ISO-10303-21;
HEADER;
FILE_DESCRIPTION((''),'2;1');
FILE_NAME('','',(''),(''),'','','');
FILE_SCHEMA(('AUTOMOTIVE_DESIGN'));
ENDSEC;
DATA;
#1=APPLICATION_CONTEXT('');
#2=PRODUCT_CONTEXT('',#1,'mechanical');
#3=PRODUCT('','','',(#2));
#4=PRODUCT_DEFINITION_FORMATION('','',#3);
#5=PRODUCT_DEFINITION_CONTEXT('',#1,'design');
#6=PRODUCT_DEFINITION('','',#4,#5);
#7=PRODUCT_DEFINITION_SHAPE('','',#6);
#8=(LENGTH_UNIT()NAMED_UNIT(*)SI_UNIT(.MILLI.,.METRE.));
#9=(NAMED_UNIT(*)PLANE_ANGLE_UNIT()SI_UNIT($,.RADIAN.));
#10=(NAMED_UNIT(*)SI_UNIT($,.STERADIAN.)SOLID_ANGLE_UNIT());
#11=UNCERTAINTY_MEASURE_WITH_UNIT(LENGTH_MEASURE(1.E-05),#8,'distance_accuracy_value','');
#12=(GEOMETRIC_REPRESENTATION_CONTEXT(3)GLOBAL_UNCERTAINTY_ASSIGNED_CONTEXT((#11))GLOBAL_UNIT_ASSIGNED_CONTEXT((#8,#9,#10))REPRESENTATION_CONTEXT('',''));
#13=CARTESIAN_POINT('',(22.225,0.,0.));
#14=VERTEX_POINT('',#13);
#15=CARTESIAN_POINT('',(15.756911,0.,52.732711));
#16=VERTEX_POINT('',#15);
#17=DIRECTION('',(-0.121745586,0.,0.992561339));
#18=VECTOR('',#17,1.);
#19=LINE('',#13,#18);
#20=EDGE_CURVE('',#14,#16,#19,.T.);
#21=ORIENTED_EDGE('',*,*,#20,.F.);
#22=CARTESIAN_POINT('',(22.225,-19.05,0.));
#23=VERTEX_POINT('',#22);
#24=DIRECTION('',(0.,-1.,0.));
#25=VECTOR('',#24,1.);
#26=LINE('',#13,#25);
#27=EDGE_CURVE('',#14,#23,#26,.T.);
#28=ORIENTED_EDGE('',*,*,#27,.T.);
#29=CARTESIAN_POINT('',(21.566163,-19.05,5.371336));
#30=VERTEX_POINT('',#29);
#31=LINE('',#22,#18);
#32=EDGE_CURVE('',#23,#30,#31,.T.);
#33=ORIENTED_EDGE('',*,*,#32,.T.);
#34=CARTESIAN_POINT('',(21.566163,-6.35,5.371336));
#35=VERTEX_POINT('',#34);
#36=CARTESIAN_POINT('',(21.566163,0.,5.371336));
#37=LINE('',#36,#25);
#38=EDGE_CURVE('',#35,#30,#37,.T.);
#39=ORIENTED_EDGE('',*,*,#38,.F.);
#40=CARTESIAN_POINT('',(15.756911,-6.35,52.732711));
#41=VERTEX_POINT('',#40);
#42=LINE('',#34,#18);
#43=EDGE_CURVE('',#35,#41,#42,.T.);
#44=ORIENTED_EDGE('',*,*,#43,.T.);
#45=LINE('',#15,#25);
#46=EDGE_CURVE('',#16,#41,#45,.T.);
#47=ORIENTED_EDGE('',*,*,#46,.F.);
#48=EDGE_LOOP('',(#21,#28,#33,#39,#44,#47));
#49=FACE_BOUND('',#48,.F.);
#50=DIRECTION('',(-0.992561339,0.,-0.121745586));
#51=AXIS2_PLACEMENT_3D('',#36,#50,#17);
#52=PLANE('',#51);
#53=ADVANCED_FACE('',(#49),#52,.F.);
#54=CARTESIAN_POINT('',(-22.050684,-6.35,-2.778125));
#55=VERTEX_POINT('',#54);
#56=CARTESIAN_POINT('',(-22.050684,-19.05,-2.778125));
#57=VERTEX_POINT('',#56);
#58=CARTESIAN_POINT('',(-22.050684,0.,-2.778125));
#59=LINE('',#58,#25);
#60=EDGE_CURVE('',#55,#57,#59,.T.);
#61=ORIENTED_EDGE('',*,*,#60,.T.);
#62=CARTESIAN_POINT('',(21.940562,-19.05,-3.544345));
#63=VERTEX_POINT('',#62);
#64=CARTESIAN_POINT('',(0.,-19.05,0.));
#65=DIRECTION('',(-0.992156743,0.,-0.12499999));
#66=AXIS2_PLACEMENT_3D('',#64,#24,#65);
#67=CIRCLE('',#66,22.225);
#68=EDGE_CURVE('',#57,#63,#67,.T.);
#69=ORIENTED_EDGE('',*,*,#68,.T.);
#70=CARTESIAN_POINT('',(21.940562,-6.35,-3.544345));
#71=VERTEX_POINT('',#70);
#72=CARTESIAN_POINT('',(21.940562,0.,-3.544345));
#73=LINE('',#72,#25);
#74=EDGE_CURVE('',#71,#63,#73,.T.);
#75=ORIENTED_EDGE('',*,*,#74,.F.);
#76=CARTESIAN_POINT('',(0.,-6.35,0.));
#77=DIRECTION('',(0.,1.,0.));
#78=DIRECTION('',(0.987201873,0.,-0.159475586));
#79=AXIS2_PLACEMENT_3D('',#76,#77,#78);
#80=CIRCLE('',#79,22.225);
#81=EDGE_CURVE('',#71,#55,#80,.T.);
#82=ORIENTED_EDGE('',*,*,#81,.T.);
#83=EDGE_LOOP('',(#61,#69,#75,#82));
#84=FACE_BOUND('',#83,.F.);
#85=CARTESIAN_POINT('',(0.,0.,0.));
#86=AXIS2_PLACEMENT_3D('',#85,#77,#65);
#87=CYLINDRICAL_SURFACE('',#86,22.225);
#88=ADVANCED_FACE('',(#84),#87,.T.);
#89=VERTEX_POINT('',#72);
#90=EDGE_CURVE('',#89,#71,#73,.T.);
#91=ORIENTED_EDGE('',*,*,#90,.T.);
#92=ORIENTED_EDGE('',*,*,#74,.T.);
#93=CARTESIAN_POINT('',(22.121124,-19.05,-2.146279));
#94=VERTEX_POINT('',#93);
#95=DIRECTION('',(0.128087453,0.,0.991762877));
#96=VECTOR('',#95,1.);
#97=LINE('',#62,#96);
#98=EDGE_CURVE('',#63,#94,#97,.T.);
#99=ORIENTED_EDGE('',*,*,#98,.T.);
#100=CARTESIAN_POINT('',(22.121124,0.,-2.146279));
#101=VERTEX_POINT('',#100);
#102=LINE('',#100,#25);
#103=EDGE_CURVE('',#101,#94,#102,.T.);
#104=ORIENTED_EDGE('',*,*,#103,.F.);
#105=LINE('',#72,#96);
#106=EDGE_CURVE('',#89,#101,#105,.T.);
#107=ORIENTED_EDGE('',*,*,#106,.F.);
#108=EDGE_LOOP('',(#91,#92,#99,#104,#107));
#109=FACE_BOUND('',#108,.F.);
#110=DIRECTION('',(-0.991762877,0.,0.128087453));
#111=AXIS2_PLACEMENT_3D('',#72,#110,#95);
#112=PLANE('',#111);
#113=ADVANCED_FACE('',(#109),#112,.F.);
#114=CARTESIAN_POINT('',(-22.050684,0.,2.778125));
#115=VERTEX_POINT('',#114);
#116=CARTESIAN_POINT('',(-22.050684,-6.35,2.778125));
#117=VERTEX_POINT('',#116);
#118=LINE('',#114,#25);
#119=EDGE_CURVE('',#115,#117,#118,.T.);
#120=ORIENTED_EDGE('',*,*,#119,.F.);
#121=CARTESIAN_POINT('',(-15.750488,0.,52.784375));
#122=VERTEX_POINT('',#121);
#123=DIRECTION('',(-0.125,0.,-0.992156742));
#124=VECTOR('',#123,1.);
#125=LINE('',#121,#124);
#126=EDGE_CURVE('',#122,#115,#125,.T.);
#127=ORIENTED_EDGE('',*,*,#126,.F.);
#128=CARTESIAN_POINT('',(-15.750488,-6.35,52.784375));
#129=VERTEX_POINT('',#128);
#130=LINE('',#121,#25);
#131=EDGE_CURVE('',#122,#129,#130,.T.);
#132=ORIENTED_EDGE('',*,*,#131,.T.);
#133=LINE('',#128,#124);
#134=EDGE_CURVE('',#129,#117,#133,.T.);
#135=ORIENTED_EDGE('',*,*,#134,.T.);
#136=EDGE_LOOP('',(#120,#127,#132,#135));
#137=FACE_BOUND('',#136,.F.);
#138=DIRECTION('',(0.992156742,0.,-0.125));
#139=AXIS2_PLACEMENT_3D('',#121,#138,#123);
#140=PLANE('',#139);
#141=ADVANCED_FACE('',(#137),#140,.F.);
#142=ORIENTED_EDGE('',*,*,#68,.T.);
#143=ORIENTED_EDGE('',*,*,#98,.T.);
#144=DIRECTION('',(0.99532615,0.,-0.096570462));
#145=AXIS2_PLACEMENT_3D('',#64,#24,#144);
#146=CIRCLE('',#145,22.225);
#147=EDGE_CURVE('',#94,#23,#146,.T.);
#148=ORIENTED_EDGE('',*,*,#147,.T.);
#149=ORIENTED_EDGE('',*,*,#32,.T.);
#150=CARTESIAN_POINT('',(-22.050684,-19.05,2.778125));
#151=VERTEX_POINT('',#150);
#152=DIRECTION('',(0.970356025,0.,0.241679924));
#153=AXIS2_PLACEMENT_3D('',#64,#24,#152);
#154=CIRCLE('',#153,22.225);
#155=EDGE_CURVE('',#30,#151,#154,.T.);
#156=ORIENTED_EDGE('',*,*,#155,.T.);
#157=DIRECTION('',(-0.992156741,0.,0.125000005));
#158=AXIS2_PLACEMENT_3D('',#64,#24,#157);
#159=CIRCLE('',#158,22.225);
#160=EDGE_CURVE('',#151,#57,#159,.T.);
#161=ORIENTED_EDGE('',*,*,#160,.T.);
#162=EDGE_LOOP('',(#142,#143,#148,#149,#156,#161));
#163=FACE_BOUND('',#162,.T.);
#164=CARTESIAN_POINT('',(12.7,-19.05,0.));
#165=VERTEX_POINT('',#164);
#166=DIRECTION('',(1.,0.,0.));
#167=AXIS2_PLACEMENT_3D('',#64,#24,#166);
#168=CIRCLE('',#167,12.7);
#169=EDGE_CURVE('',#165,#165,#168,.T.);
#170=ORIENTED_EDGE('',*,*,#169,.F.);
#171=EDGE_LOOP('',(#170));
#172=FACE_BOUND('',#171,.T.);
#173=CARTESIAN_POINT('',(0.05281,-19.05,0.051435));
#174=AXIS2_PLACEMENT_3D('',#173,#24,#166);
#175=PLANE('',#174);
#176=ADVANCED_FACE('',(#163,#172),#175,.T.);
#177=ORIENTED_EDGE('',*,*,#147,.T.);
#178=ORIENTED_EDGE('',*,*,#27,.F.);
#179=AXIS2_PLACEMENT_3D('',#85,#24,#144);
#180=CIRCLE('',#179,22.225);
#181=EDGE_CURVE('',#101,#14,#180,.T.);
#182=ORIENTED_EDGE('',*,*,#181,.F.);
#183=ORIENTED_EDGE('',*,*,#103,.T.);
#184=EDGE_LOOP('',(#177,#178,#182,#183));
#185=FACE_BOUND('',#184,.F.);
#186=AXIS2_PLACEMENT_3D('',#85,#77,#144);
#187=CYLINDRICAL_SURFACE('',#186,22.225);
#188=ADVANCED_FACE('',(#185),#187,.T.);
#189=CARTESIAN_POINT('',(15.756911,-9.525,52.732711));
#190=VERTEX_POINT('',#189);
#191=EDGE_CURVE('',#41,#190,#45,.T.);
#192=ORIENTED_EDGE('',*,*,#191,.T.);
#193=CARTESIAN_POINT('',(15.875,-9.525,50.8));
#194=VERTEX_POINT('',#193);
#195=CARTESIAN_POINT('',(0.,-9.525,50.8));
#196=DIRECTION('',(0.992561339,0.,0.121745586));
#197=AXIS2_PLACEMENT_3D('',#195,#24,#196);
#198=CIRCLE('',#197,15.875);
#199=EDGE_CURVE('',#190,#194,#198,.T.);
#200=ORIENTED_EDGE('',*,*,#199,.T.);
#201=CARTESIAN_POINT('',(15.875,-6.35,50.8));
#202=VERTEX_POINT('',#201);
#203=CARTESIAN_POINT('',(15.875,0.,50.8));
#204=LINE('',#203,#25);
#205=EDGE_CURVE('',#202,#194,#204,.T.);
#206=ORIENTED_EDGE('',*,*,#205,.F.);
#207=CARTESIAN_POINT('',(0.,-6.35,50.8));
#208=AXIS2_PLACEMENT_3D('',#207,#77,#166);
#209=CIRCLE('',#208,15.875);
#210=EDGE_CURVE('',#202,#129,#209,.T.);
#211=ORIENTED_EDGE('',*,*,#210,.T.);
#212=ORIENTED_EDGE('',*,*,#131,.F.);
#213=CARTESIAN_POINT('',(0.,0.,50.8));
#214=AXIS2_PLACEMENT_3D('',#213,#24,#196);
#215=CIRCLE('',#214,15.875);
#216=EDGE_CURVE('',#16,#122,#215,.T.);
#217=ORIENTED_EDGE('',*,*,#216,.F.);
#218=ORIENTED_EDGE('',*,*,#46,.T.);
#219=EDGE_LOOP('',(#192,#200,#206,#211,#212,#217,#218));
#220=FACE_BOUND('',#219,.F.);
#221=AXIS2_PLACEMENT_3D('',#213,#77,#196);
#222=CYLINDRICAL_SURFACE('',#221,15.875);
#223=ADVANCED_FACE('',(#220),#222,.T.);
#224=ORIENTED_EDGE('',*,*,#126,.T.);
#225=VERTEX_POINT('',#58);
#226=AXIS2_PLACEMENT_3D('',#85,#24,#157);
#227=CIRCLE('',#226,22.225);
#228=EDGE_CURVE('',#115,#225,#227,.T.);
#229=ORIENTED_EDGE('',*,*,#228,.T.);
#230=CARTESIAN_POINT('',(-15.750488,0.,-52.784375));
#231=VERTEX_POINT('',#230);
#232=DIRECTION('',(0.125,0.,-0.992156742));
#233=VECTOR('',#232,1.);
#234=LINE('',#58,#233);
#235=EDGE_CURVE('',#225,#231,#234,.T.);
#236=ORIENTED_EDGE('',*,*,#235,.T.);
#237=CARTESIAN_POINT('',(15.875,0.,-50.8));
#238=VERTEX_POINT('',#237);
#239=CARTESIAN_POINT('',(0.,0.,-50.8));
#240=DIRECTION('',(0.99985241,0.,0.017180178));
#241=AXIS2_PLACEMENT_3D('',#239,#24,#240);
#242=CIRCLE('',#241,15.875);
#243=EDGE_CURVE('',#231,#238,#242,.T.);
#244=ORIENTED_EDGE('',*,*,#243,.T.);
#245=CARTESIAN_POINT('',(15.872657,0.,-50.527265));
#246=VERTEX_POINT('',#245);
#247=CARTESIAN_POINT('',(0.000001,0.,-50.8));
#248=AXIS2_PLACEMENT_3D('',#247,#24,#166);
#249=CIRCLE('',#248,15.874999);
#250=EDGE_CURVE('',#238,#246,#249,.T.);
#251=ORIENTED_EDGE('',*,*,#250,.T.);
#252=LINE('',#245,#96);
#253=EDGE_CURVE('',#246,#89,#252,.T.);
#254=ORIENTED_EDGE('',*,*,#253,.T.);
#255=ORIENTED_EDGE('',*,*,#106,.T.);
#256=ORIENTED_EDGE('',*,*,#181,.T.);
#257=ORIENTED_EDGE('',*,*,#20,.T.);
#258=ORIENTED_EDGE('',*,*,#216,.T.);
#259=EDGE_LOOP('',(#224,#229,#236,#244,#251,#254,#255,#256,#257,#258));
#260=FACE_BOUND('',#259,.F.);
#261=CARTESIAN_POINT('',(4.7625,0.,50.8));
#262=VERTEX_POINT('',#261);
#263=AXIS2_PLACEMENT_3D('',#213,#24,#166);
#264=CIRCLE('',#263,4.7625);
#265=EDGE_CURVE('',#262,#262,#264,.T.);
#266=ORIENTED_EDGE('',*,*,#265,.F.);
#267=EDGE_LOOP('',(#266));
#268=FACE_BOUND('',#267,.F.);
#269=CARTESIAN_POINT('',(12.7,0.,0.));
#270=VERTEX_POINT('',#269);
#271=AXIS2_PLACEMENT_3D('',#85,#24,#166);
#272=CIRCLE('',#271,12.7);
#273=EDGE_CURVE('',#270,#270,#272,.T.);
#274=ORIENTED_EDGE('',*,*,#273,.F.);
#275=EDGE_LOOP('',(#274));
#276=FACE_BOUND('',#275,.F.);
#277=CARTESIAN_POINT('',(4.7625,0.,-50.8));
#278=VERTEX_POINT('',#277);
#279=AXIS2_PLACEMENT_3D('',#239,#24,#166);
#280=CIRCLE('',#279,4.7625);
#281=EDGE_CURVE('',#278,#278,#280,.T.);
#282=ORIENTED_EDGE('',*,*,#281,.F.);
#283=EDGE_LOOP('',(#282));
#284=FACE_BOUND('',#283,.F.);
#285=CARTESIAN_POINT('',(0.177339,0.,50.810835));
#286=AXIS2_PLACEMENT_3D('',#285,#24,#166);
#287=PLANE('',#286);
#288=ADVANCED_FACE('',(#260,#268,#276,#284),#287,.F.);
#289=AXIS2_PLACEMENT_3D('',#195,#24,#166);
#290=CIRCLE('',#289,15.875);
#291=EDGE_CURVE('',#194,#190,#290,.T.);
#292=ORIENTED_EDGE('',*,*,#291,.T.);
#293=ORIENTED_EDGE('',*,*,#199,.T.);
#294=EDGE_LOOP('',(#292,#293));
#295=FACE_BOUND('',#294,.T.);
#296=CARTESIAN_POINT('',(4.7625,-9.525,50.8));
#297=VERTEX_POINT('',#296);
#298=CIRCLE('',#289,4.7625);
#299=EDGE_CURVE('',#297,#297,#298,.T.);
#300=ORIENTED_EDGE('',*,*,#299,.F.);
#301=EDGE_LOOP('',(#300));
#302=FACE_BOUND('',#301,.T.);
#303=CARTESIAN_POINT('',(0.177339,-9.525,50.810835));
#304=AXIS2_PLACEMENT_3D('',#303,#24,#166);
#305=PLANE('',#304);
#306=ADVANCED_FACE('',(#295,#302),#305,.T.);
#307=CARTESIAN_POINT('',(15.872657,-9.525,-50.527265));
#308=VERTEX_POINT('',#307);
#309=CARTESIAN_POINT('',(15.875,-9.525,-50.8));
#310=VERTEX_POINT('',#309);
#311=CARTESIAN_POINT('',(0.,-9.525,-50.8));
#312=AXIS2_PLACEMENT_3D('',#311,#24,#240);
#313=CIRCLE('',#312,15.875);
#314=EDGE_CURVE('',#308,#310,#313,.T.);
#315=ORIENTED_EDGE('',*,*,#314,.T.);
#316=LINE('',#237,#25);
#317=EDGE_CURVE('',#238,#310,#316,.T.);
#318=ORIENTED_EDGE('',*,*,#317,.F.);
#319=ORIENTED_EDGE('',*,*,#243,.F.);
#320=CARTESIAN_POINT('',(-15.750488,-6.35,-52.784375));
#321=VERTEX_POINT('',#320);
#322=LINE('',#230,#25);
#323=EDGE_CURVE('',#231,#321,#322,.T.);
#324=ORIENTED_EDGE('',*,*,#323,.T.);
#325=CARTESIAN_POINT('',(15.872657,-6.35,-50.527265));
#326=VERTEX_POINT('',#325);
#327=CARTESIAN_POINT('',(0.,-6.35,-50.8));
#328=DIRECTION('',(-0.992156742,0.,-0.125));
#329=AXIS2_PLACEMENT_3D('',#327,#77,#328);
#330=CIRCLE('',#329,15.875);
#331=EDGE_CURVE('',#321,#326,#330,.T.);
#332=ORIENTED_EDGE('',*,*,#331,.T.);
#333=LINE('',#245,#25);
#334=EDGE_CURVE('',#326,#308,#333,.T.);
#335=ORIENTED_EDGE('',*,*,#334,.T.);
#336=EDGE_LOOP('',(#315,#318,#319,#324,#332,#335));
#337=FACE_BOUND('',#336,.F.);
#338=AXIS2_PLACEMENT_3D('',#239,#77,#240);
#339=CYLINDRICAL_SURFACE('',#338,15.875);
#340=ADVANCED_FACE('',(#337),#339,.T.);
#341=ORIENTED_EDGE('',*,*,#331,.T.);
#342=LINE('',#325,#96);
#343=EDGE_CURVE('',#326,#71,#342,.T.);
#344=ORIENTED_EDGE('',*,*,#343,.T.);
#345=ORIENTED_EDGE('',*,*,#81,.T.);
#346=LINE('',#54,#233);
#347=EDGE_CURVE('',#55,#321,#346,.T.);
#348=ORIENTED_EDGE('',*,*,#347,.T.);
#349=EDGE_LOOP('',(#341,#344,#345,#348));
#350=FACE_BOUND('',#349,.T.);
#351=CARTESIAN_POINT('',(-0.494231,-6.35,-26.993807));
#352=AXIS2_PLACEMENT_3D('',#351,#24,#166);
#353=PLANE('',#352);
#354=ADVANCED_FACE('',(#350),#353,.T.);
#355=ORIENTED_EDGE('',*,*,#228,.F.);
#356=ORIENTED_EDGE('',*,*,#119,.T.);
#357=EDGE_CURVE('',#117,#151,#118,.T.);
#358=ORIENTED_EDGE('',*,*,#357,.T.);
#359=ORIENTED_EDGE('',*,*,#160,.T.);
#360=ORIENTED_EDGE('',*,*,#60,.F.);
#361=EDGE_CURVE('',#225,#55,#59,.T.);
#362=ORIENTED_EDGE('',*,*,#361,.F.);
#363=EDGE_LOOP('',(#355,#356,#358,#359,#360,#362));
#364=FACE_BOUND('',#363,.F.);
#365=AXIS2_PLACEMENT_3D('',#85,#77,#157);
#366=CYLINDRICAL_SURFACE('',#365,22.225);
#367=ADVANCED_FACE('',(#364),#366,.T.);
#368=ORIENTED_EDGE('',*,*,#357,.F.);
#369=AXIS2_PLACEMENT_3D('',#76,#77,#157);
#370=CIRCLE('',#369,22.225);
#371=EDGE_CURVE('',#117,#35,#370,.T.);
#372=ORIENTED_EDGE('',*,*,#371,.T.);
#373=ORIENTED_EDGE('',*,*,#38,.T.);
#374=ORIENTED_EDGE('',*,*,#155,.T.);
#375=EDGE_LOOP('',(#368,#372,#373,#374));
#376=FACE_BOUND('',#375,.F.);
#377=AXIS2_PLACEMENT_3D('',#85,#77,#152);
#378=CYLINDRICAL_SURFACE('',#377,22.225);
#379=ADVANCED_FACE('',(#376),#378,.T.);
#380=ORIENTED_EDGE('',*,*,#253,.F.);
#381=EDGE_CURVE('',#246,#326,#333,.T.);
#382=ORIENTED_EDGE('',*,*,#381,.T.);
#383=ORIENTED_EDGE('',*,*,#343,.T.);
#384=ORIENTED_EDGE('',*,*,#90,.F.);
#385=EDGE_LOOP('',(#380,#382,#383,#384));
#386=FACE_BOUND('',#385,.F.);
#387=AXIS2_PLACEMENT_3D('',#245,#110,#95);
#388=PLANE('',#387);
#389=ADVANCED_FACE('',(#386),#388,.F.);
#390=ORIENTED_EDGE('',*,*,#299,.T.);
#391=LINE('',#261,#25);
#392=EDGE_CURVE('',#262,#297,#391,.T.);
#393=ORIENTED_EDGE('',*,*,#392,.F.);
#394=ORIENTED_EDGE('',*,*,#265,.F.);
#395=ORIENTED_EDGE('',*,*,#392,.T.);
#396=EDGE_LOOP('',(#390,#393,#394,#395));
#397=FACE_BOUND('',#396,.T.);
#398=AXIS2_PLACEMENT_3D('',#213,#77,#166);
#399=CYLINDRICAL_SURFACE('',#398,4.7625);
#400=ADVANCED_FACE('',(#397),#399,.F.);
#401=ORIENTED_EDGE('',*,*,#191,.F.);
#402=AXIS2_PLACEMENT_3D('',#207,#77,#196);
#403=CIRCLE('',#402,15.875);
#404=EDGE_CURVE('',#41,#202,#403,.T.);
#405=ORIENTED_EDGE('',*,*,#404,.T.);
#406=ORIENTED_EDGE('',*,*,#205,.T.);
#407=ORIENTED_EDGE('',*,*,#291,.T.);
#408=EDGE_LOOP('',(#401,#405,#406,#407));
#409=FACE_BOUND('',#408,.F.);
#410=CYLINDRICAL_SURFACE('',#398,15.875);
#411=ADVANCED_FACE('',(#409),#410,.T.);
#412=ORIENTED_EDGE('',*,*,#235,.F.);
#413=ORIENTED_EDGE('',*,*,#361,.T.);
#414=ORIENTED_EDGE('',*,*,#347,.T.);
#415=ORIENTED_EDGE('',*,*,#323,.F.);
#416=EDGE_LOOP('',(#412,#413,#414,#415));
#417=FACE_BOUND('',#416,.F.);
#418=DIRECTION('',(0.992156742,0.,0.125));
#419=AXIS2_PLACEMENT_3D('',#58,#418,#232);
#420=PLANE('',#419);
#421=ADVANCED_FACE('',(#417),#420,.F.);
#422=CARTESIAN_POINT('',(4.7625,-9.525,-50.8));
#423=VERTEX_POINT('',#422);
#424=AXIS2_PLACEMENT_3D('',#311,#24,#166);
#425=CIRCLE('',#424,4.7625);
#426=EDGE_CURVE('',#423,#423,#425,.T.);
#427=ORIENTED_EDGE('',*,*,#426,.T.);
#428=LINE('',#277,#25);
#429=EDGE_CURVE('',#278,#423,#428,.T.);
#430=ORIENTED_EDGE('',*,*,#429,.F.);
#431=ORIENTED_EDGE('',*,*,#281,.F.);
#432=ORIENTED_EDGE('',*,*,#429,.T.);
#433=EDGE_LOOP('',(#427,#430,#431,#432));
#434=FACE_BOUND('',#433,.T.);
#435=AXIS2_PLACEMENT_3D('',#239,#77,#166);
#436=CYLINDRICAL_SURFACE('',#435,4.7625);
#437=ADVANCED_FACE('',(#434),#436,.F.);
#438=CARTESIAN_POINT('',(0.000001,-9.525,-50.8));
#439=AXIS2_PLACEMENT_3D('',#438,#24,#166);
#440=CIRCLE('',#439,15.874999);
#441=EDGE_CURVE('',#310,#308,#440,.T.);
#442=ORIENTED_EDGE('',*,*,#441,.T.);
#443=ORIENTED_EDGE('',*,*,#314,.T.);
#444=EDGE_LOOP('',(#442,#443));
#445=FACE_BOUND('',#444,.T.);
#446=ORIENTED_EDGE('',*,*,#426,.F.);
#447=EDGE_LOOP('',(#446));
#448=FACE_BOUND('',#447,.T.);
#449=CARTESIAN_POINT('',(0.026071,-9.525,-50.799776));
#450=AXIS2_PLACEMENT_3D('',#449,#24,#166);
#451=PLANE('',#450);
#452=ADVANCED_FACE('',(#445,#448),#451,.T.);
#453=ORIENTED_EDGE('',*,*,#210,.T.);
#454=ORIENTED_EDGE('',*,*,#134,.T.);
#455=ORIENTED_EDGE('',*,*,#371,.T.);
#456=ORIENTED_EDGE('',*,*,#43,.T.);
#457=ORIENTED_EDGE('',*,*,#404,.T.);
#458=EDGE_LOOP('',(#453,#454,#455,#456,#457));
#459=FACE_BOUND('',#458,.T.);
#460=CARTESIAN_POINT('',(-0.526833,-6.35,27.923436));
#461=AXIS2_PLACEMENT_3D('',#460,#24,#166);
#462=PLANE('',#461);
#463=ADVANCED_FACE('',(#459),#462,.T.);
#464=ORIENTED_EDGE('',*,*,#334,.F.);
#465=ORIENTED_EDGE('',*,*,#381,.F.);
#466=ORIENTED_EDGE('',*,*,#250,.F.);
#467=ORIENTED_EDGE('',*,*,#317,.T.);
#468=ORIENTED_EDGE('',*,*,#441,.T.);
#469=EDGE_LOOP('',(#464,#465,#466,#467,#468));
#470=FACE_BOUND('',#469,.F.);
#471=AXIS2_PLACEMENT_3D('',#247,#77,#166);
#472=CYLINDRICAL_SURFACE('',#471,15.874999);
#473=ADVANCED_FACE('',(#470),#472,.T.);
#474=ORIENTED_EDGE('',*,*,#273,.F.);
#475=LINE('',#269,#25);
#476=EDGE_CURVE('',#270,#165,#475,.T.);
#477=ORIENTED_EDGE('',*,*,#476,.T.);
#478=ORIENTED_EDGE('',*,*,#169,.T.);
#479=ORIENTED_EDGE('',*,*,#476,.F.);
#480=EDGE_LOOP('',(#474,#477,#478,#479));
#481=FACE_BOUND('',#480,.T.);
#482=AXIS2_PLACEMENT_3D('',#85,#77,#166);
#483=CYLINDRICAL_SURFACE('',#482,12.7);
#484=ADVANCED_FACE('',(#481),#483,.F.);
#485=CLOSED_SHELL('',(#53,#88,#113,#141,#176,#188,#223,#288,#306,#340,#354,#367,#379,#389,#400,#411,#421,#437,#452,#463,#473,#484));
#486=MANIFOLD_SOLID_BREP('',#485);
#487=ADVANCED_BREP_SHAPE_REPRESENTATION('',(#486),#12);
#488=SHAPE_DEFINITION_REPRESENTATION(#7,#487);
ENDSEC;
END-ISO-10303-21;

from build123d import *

# Parameters (mm, degrees)
F0_R     = 12.7
F1_DEPTH = 19.05
F2_DEPTH = 6.35
F0_R_2   = 4.7625
F3_DEPTH = 9.525


with BuildPart() as f1:
    # F0 (on Front) → F1 (new body)
    with BuildSketch(Plane.XZ):
        with BuildLine():
            Line((21.9405616204, -3.5443449016), (22.1211236947, -2.1462785193))
            ThreePointArc((22.1211236947, -2.1462785193), (22.199015734, -1.0743953845), (22.225, 0))
            Line((22.225, 0), (21.5661626468, 5.3713363041))
            ThreePointArc((21.5661626468, 5.3713363041), (-1.3190436674, 22.1858231491), (-22.0506835685, 2.7781251166))
            ThreePointArc((-22.0506835685, 2.7781251166), (-22.225, 1.708e-07), (-22.0506836112, -2.7781247776))
            ThreePointArc((-22.0506836112, -2.7781247776), (-0.3870465512, -22.2216295525), (21.9405616204, -3.5443449016))
        make_face()
        Circle(F0_R, mode=Mode.SUBTRACT)
    extrude(amount=F1_DEPTH)

    # F0 (on Front) → F2 (join)
    with BuildSketch(Plane.XZ):
        with BuildLine():
            ThreePointArc((-22.0506835685, 2.7781251166), (-1.3190436674, 22.1858231491), (21.5661626468, 5.3713363041))
            Line((21.5661626468, 5.3713363041), (15.7569112616, 52.732711177))
            ThreePointArc((15.7569112616, 52.732711177), (15.8454503135, 51.7681577149), (15.875, 50.8))
            ThreePointArc((15.875, 50.8), (-0.9941387366, 34.9561585096), (-15.7504882737, 52.784375))
            Line((-15.7504882737, 52.784375), (-22.0506835685, 2.7781251166))
        make_face()
        with BuildLine():
            Line((15.8726570063, -50.5272646713), (21.9405616204, -3.5443449016))
            ThreePointArc((21.9405616204, -3.5443449016), (-0.3870465512, -22.2216295525), (-22.0506836112, -2.7781247776))
            Line((-22.0506836112, -2.7781247776), (-15.7504882737, -52.784375))
            ThreePointArc((-15.7504882737, -52.784375), (-1.1302070867, -34.9652831746), (15.8726570063, -50.5272646713))
        make_face()
    extrude(amount=F2_DEPTH)

    # F0 (on Front) → F3 (join)
    with BuildSketch(Plane.XZ):
        with BuildLine():
            ThreePointArc((15.875, 50.8), (15.8454503135, 51.7681577149), (15.7569112616, 52.732711177))
            ThreePointArc((15.7569112616, 52.732711177), (0.0260307769, 66.6749786582), (-15.7504882737, 52.784375))
            ThreePointArc((-15.7504882737, 52.784375), (-0.9941387366, 34.9561585096), (15.875, 50.8))
        make_face()
        with Locations((0, 50.8)):
            Circle(F0_R_2, mode=Mode.SUBTRACT)
        with BuildLine():
            ThreePointArc((15.875, -50.8), (15.8744142408, -50.6636273038), (15.8726570063, -50.5272646713))
            ThreePointArc((15.8726570063, -50.5272646713), (-1.1302070867, -34.9652831746), (-15.7504882737, -52.784375))
            ThreePointArc((-15.7504882737, -52.784375), (0.9941387366, -66.6438414904), (15.875, -50.8))
        make_face()
        with Locations((0, -50.8)):
            Circle(F0_R_2, mode=Mode.SUBTRACT)
    extrude(amount=F3_DEPTH)


solid = f1.part
